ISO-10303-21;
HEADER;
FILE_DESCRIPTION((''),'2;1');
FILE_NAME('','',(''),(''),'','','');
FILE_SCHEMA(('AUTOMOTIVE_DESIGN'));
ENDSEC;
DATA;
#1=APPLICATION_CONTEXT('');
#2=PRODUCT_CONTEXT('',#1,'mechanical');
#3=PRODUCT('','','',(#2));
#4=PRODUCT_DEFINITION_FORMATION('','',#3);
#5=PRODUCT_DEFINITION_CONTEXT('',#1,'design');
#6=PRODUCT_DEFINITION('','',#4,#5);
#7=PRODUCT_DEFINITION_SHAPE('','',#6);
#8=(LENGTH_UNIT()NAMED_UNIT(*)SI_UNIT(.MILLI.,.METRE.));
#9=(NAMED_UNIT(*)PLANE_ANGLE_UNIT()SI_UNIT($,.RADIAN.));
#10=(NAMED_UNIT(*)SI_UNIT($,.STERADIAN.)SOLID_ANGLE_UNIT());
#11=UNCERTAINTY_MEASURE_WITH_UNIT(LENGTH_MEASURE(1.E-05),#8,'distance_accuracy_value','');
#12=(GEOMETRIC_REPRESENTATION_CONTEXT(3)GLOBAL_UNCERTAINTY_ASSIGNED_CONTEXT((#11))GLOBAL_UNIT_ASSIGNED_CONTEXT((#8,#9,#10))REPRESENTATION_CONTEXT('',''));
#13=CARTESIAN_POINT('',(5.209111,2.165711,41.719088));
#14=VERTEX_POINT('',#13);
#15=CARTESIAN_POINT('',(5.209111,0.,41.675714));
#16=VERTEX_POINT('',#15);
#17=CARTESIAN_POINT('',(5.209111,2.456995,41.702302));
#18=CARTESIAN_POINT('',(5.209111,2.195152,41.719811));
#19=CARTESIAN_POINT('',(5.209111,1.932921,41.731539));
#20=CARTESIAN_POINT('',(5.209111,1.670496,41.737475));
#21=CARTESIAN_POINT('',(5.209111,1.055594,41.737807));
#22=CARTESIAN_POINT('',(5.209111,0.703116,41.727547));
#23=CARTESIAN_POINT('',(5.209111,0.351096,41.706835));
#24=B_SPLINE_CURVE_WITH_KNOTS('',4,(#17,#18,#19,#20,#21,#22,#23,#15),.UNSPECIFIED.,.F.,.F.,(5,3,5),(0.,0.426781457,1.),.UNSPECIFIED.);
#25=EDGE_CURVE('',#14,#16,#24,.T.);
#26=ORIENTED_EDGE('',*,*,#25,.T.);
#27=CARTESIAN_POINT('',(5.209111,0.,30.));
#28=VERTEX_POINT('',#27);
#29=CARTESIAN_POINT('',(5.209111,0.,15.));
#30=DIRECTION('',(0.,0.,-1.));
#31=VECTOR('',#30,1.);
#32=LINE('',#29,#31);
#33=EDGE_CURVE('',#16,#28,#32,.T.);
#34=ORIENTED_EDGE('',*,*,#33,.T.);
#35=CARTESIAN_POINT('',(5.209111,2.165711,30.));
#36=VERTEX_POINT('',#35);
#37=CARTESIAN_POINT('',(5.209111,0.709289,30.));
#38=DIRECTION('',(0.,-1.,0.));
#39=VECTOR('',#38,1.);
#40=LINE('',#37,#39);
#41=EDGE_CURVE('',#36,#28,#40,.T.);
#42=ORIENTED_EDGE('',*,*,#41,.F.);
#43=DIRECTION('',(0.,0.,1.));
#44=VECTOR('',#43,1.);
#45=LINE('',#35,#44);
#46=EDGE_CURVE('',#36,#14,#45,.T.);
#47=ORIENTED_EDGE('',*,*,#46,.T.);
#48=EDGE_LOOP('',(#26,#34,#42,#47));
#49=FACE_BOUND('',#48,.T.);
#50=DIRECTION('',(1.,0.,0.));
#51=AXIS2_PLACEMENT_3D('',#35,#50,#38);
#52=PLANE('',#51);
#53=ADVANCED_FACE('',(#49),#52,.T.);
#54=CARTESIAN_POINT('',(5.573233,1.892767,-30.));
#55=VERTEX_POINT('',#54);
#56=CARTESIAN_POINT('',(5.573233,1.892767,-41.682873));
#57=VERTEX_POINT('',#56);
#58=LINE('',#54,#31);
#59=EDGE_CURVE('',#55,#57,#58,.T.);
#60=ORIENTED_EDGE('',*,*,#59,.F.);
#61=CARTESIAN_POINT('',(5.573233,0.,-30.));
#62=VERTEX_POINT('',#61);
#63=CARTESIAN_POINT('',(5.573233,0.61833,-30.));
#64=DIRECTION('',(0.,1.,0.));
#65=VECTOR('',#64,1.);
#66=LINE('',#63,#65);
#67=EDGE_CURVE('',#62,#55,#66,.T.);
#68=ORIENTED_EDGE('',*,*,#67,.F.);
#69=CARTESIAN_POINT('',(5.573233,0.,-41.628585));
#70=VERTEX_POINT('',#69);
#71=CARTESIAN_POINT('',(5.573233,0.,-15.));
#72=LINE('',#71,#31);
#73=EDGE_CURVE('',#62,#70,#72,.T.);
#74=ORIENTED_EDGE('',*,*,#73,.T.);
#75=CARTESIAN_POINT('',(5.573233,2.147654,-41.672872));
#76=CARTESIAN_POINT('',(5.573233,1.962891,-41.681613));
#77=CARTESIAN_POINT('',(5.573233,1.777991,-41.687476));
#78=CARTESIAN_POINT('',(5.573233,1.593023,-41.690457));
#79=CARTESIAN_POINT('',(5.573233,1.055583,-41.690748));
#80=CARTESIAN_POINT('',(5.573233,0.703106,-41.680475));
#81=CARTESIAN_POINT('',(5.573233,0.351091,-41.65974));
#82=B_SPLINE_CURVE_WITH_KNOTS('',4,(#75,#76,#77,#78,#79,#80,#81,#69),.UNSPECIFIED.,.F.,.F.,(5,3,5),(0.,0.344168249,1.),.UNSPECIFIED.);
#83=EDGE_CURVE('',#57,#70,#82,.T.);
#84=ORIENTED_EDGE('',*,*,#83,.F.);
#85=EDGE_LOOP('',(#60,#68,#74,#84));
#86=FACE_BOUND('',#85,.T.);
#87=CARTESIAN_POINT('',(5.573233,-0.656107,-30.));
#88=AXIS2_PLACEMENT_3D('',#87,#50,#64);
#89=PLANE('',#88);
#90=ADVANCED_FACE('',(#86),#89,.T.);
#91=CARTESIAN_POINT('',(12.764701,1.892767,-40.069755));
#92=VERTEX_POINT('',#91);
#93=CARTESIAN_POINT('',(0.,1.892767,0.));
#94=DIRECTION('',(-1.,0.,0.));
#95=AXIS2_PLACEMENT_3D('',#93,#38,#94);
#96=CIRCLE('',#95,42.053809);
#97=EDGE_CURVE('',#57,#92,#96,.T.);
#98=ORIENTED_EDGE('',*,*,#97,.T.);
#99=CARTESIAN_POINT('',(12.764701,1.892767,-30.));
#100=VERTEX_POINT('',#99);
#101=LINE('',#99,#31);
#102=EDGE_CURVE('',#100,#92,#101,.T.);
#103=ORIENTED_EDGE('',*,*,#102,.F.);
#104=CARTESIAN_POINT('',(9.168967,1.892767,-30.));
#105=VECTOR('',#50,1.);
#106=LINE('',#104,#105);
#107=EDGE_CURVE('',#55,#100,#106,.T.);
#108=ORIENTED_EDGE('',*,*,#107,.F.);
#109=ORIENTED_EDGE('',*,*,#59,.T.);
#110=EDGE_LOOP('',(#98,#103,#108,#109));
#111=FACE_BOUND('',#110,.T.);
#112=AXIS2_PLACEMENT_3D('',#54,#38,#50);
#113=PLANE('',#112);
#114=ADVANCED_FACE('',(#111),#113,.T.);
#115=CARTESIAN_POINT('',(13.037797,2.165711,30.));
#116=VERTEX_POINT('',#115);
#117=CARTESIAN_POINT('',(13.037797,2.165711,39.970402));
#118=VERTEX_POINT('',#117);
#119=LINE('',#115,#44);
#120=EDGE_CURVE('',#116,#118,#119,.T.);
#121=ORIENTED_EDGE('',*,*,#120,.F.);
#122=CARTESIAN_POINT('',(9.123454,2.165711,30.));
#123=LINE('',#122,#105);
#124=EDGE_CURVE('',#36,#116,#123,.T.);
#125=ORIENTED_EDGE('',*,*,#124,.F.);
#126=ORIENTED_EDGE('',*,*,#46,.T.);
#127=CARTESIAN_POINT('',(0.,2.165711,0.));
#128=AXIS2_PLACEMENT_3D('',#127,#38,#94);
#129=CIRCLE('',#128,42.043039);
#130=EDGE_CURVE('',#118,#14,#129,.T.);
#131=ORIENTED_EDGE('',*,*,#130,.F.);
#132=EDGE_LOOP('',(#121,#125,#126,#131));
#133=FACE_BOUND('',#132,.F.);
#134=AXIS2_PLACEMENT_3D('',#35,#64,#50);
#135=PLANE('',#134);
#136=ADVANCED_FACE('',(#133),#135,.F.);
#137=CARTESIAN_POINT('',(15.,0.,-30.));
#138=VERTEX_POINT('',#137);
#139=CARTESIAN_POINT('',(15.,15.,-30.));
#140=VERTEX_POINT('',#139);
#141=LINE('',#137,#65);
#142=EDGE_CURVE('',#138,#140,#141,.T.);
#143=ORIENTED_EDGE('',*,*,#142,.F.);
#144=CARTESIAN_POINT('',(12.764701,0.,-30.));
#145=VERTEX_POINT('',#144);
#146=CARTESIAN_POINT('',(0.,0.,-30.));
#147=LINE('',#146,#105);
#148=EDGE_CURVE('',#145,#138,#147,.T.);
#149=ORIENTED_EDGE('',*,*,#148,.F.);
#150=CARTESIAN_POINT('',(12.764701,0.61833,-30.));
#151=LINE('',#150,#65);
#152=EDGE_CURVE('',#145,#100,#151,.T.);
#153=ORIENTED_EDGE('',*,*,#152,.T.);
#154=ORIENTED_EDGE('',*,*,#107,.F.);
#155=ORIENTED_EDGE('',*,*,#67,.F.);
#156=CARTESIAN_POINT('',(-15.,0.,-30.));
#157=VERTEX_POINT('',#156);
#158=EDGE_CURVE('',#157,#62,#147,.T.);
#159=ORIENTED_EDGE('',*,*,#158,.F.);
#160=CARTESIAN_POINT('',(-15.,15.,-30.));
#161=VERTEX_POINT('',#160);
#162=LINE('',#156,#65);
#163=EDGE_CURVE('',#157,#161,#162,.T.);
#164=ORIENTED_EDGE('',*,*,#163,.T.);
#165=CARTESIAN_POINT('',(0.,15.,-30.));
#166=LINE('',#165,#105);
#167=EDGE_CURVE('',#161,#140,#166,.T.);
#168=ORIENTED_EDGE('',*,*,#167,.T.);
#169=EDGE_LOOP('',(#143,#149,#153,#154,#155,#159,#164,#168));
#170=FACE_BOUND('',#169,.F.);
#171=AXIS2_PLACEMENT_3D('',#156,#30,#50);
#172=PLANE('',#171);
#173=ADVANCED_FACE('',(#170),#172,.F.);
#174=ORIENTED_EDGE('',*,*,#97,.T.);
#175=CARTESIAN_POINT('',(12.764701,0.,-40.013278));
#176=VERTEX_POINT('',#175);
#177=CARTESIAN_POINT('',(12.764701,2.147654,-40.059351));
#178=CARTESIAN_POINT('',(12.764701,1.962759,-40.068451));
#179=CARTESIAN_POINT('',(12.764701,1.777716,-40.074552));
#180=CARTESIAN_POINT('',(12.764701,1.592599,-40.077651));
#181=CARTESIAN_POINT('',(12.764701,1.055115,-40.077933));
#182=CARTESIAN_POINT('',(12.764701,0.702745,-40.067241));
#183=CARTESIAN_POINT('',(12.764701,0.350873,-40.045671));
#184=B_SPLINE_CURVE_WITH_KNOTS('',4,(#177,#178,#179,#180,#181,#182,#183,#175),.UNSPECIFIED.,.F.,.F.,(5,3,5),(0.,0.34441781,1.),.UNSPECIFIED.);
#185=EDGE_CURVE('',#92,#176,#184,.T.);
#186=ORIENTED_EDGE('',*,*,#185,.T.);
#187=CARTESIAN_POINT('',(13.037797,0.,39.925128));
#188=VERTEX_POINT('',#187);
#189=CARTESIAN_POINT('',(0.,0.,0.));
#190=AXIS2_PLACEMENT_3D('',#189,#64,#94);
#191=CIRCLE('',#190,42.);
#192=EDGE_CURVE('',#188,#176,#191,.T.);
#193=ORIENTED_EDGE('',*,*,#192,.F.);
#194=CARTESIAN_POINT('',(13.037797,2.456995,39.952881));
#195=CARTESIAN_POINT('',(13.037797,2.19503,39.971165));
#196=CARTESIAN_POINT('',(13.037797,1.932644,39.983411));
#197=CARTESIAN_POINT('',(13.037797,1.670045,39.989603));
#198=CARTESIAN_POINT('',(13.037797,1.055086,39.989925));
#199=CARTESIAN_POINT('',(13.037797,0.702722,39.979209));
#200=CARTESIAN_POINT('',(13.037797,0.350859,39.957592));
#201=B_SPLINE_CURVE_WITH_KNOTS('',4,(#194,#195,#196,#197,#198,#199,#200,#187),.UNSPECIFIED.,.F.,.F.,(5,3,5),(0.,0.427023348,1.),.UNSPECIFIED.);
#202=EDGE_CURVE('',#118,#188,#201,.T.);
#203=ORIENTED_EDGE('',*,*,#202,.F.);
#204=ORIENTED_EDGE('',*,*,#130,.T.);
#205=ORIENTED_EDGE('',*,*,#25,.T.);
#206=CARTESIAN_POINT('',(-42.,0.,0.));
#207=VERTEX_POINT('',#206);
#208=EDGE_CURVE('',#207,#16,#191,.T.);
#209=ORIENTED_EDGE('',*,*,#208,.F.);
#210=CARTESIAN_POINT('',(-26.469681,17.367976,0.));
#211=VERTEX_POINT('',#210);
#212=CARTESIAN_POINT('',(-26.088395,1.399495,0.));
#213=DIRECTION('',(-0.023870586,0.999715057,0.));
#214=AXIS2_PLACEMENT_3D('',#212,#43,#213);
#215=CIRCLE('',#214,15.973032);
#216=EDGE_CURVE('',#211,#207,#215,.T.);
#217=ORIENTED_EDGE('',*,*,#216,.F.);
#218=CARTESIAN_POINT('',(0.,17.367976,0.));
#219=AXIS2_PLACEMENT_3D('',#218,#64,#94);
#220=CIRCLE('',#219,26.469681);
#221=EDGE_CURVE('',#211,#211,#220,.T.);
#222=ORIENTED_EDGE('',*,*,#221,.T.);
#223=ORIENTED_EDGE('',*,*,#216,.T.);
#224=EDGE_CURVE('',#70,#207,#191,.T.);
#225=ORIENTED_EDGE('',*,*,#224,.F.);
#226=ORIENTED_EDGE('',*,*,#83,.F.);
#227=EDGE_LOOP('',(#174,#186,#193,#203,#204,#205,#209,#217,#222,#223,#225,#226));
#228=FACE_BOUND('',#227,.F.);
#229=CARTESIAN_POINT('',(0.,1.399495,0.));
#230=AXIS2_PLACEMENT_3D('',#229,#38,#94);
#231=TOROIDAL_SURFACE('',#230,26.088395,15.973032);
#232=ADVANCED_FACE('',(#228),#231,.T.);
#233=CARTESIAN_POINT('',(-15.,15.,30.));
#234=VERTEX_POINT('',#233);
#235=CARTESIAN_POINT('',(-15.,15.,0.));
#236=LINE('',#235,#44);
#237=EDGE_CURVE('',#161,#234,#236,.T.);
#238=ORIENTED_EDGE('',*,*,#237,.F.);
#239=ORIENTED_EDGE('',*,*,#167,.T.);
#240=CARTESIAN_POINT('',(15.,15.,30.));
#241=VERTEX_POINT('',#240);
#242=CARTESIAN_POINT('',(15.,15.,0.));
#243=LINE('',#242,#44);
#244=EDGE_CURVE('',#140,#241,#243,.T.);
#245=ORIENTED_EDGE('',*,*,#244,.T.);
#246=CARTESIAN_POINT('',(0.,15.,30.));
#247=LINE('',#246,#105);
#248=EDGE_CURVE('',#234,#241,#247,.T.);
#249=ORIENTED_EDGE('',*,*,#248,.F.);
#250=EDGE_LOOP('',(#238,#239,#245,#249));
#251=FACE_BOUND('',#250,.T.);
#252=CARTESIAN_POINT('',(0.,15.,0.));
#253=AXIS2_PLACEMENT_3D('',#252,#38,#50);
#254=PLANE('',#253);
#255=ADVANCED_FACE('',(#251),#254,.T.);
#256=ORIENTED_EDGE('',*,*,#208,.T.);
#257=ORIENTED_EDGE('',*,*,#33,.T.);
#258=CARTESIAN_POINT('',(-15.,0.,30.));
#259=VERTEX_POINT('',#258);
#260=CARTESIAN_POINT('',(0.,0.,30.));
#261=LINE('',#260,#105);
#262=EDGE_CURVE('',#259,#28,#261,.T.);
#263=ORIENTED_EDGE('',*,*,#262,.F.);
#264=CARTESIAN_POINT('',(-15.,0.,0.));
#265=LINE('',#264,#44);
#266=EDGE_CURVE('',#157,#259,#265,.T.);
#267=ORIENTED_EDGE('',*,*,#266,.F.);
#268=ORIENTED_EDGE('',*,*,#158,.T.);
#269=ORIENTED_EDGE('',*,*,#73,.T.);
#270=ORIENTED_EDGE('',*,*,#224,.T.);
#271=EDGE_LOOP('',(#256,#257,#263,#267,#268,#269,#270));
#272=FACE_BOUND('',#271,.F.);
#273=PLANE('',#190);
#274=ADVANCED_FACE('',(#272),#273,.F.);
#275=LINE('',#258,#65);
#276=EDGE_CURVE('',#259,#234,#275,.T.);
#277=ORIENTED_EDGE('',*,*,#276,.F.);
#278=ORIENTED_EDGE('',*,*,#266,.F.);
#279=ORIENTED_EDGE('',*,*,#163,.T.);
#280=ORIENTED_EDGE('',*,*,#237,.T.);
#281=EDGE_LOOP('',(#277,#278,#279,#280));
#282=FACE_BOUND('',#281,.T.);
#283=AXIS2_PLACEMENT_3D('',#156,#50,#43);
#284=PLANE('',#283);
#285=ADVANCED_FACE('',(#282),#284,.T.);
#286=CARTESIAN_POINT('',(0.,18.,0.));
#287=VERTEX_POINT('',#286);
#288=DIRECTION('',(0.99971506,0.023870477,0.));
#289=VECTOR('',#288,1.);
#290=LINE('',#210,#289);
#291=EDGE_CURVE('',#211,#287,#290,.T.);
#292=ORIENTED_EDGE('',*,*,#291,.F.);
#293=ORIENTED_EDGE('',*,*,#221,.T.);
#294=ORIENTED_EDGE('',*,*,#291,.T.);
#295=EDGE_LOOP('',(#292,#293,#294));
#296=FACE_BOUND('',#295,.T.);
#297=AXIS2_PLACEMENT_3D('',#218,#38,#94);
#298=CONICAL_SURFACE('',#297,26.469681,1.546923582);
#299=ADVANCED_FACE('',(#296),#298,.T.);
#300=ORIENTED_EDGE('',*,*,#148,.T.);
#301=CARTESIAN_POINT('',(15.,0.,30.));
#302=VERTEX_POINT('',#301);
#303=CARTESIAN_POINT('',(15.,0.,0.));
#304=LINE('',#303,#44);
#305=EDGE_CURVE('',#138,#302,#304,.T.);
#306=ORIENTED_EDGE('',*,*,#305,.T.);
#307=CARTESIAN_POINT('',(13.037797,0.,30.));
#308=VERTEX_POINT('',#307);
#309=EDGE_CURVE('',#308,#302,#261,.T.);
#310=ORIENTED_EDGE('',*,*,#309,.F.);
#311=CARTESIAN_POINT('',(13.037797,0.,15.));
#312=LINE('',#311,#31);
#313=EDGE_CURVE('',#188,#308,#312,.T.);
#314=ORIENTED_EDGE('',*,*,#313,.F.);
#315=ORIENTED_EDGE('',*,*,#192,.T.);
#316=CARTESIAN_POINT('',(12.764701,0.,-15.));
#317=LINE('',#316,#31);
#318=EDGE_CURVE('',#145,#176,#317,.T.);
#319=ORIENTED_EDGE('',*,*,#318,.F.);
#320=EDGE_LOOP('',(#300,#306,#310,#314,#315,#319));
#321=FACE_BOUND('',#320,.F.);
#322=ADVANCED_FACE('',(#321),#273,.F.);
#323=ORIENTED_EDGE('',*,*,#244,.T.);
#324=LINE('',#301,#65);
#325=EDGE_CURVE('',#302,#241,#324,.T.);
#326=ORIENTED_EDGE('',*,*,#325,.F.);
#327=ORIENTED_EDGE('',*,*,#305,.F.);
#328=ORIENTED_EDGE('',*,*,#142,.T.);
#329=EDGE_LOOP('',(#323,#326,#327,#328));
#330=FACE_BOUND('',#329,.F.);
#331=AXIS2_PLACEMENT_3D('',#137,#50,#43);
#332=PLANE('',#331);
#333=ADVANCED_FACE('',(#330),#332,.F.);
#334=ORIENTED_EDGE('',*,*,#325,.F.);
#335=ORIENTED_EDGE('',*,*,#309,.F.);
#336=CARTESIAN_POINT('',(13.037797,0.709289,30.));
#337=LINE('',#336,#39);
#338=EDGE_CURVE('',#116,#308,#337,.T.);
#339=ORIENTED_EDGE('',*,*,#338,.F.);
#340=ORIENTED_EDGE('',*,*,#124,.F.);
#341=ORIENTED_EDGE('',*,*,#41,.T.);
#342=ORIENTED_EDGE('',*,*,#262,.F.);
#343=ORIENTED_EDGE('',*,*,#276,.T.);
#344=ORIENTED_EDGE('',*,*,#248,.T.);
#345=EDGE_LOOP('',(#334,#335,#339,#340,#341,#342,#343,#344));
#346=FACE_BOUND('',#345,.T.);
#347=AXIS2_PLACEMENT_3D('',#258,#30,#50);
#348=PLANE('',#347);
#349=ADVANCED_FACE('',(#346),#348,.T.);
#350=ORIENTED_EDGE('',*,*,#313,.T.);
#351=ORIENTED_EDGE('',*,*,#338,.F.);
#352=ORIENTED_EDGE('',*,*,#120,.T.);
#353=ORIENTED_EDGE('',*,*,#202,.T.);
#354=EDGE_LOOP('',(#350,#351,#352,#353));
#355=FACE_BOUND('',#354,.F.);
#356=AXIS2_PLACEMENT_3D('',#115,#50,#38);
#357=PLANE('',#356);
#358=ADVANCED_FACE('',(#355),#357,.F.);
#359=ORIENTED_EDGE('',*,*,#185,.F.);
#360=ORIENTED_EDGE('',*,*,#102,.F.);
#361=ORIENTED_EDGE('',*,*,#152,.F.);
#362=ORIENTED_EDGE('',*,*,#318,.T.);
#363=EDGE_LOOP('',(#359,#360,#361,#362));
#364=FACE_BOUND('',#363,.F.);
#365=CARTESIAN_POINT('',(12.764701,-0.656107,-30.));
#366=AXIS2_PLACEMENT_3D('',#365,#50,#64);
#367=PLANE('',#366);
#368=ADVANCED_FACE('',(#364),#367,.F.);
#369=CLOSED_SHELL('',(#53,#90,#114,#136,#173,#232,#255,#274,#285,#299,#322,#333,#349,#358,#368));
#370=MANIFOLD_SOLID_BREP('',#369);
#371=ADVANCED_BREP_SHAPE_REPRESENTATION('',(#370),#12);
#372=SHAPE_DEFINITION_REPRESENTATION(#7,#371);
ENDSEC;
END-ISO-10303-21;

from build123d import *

# Parameters (mm, degrees)
SKETCH001_W     = 30
SKETCH001_H     = 60
POCKET_DEPTH    = 15
SKETCH002_W     = 7.828685
SKETCH002_H     = 2.912844
POCKET001_DEPTH = 12.062428
SKETCH003_W     = 7.191467
SKETCH003_H     = 2.548873
POCKET002_DEPTH = 12.062428


with BuildPart() as part:
    # Sketch → Revolution (revolve)
    with BuildSketch(Plane.XY):
        with BuildLine():
            ThreePointArc((-26.469681, 17.367976), (-37.995377, 12.046633), (-42, 0))
            Line((-42, 0), (0, 0))
            Line((0, 18), (0, 0))
            Line((-26.469681, 17.367976), (0, 18))
        make_face()
    revolve(axis=Axis((0, 0, 0), (0, 1, 0)))

    # Sketch001 → Pocket (cut)
    with BuildSketch(Plane.XZ):
        Rectangle(SKETCH001_W, SKETCH001_H)
    extrude(amount=-POCKET_DEPTH, mode=Mode.SUBTRACT)

    # Sketch002 → Pocket001 (cut, through all)
    with BuildSketch(Plane(origin=(0, 0, 30), x_dir=(1, 0, 0), z_dir=(0, 0, -1))):
        with Locations((9.123454, -0.709289)):
            Rectangle(SKETCH002_W, SKETCH002_H)
    extrude(amount=-POCKET001_DEPTH, mode=Mode.SUBTRACT)

    # Sketch003 → Pocket002 (cut, through all)
    with BuildSketch(Plane.XY.offset(-30)):
        with Locations((9.168967, 0.61833)):
            Rectangle(SKETCH003_W, SKETCH003_H)
    extrude(amount=-POCKET002_DEPTH, mode=Mode.SUBTRACT)


solid = part.part
